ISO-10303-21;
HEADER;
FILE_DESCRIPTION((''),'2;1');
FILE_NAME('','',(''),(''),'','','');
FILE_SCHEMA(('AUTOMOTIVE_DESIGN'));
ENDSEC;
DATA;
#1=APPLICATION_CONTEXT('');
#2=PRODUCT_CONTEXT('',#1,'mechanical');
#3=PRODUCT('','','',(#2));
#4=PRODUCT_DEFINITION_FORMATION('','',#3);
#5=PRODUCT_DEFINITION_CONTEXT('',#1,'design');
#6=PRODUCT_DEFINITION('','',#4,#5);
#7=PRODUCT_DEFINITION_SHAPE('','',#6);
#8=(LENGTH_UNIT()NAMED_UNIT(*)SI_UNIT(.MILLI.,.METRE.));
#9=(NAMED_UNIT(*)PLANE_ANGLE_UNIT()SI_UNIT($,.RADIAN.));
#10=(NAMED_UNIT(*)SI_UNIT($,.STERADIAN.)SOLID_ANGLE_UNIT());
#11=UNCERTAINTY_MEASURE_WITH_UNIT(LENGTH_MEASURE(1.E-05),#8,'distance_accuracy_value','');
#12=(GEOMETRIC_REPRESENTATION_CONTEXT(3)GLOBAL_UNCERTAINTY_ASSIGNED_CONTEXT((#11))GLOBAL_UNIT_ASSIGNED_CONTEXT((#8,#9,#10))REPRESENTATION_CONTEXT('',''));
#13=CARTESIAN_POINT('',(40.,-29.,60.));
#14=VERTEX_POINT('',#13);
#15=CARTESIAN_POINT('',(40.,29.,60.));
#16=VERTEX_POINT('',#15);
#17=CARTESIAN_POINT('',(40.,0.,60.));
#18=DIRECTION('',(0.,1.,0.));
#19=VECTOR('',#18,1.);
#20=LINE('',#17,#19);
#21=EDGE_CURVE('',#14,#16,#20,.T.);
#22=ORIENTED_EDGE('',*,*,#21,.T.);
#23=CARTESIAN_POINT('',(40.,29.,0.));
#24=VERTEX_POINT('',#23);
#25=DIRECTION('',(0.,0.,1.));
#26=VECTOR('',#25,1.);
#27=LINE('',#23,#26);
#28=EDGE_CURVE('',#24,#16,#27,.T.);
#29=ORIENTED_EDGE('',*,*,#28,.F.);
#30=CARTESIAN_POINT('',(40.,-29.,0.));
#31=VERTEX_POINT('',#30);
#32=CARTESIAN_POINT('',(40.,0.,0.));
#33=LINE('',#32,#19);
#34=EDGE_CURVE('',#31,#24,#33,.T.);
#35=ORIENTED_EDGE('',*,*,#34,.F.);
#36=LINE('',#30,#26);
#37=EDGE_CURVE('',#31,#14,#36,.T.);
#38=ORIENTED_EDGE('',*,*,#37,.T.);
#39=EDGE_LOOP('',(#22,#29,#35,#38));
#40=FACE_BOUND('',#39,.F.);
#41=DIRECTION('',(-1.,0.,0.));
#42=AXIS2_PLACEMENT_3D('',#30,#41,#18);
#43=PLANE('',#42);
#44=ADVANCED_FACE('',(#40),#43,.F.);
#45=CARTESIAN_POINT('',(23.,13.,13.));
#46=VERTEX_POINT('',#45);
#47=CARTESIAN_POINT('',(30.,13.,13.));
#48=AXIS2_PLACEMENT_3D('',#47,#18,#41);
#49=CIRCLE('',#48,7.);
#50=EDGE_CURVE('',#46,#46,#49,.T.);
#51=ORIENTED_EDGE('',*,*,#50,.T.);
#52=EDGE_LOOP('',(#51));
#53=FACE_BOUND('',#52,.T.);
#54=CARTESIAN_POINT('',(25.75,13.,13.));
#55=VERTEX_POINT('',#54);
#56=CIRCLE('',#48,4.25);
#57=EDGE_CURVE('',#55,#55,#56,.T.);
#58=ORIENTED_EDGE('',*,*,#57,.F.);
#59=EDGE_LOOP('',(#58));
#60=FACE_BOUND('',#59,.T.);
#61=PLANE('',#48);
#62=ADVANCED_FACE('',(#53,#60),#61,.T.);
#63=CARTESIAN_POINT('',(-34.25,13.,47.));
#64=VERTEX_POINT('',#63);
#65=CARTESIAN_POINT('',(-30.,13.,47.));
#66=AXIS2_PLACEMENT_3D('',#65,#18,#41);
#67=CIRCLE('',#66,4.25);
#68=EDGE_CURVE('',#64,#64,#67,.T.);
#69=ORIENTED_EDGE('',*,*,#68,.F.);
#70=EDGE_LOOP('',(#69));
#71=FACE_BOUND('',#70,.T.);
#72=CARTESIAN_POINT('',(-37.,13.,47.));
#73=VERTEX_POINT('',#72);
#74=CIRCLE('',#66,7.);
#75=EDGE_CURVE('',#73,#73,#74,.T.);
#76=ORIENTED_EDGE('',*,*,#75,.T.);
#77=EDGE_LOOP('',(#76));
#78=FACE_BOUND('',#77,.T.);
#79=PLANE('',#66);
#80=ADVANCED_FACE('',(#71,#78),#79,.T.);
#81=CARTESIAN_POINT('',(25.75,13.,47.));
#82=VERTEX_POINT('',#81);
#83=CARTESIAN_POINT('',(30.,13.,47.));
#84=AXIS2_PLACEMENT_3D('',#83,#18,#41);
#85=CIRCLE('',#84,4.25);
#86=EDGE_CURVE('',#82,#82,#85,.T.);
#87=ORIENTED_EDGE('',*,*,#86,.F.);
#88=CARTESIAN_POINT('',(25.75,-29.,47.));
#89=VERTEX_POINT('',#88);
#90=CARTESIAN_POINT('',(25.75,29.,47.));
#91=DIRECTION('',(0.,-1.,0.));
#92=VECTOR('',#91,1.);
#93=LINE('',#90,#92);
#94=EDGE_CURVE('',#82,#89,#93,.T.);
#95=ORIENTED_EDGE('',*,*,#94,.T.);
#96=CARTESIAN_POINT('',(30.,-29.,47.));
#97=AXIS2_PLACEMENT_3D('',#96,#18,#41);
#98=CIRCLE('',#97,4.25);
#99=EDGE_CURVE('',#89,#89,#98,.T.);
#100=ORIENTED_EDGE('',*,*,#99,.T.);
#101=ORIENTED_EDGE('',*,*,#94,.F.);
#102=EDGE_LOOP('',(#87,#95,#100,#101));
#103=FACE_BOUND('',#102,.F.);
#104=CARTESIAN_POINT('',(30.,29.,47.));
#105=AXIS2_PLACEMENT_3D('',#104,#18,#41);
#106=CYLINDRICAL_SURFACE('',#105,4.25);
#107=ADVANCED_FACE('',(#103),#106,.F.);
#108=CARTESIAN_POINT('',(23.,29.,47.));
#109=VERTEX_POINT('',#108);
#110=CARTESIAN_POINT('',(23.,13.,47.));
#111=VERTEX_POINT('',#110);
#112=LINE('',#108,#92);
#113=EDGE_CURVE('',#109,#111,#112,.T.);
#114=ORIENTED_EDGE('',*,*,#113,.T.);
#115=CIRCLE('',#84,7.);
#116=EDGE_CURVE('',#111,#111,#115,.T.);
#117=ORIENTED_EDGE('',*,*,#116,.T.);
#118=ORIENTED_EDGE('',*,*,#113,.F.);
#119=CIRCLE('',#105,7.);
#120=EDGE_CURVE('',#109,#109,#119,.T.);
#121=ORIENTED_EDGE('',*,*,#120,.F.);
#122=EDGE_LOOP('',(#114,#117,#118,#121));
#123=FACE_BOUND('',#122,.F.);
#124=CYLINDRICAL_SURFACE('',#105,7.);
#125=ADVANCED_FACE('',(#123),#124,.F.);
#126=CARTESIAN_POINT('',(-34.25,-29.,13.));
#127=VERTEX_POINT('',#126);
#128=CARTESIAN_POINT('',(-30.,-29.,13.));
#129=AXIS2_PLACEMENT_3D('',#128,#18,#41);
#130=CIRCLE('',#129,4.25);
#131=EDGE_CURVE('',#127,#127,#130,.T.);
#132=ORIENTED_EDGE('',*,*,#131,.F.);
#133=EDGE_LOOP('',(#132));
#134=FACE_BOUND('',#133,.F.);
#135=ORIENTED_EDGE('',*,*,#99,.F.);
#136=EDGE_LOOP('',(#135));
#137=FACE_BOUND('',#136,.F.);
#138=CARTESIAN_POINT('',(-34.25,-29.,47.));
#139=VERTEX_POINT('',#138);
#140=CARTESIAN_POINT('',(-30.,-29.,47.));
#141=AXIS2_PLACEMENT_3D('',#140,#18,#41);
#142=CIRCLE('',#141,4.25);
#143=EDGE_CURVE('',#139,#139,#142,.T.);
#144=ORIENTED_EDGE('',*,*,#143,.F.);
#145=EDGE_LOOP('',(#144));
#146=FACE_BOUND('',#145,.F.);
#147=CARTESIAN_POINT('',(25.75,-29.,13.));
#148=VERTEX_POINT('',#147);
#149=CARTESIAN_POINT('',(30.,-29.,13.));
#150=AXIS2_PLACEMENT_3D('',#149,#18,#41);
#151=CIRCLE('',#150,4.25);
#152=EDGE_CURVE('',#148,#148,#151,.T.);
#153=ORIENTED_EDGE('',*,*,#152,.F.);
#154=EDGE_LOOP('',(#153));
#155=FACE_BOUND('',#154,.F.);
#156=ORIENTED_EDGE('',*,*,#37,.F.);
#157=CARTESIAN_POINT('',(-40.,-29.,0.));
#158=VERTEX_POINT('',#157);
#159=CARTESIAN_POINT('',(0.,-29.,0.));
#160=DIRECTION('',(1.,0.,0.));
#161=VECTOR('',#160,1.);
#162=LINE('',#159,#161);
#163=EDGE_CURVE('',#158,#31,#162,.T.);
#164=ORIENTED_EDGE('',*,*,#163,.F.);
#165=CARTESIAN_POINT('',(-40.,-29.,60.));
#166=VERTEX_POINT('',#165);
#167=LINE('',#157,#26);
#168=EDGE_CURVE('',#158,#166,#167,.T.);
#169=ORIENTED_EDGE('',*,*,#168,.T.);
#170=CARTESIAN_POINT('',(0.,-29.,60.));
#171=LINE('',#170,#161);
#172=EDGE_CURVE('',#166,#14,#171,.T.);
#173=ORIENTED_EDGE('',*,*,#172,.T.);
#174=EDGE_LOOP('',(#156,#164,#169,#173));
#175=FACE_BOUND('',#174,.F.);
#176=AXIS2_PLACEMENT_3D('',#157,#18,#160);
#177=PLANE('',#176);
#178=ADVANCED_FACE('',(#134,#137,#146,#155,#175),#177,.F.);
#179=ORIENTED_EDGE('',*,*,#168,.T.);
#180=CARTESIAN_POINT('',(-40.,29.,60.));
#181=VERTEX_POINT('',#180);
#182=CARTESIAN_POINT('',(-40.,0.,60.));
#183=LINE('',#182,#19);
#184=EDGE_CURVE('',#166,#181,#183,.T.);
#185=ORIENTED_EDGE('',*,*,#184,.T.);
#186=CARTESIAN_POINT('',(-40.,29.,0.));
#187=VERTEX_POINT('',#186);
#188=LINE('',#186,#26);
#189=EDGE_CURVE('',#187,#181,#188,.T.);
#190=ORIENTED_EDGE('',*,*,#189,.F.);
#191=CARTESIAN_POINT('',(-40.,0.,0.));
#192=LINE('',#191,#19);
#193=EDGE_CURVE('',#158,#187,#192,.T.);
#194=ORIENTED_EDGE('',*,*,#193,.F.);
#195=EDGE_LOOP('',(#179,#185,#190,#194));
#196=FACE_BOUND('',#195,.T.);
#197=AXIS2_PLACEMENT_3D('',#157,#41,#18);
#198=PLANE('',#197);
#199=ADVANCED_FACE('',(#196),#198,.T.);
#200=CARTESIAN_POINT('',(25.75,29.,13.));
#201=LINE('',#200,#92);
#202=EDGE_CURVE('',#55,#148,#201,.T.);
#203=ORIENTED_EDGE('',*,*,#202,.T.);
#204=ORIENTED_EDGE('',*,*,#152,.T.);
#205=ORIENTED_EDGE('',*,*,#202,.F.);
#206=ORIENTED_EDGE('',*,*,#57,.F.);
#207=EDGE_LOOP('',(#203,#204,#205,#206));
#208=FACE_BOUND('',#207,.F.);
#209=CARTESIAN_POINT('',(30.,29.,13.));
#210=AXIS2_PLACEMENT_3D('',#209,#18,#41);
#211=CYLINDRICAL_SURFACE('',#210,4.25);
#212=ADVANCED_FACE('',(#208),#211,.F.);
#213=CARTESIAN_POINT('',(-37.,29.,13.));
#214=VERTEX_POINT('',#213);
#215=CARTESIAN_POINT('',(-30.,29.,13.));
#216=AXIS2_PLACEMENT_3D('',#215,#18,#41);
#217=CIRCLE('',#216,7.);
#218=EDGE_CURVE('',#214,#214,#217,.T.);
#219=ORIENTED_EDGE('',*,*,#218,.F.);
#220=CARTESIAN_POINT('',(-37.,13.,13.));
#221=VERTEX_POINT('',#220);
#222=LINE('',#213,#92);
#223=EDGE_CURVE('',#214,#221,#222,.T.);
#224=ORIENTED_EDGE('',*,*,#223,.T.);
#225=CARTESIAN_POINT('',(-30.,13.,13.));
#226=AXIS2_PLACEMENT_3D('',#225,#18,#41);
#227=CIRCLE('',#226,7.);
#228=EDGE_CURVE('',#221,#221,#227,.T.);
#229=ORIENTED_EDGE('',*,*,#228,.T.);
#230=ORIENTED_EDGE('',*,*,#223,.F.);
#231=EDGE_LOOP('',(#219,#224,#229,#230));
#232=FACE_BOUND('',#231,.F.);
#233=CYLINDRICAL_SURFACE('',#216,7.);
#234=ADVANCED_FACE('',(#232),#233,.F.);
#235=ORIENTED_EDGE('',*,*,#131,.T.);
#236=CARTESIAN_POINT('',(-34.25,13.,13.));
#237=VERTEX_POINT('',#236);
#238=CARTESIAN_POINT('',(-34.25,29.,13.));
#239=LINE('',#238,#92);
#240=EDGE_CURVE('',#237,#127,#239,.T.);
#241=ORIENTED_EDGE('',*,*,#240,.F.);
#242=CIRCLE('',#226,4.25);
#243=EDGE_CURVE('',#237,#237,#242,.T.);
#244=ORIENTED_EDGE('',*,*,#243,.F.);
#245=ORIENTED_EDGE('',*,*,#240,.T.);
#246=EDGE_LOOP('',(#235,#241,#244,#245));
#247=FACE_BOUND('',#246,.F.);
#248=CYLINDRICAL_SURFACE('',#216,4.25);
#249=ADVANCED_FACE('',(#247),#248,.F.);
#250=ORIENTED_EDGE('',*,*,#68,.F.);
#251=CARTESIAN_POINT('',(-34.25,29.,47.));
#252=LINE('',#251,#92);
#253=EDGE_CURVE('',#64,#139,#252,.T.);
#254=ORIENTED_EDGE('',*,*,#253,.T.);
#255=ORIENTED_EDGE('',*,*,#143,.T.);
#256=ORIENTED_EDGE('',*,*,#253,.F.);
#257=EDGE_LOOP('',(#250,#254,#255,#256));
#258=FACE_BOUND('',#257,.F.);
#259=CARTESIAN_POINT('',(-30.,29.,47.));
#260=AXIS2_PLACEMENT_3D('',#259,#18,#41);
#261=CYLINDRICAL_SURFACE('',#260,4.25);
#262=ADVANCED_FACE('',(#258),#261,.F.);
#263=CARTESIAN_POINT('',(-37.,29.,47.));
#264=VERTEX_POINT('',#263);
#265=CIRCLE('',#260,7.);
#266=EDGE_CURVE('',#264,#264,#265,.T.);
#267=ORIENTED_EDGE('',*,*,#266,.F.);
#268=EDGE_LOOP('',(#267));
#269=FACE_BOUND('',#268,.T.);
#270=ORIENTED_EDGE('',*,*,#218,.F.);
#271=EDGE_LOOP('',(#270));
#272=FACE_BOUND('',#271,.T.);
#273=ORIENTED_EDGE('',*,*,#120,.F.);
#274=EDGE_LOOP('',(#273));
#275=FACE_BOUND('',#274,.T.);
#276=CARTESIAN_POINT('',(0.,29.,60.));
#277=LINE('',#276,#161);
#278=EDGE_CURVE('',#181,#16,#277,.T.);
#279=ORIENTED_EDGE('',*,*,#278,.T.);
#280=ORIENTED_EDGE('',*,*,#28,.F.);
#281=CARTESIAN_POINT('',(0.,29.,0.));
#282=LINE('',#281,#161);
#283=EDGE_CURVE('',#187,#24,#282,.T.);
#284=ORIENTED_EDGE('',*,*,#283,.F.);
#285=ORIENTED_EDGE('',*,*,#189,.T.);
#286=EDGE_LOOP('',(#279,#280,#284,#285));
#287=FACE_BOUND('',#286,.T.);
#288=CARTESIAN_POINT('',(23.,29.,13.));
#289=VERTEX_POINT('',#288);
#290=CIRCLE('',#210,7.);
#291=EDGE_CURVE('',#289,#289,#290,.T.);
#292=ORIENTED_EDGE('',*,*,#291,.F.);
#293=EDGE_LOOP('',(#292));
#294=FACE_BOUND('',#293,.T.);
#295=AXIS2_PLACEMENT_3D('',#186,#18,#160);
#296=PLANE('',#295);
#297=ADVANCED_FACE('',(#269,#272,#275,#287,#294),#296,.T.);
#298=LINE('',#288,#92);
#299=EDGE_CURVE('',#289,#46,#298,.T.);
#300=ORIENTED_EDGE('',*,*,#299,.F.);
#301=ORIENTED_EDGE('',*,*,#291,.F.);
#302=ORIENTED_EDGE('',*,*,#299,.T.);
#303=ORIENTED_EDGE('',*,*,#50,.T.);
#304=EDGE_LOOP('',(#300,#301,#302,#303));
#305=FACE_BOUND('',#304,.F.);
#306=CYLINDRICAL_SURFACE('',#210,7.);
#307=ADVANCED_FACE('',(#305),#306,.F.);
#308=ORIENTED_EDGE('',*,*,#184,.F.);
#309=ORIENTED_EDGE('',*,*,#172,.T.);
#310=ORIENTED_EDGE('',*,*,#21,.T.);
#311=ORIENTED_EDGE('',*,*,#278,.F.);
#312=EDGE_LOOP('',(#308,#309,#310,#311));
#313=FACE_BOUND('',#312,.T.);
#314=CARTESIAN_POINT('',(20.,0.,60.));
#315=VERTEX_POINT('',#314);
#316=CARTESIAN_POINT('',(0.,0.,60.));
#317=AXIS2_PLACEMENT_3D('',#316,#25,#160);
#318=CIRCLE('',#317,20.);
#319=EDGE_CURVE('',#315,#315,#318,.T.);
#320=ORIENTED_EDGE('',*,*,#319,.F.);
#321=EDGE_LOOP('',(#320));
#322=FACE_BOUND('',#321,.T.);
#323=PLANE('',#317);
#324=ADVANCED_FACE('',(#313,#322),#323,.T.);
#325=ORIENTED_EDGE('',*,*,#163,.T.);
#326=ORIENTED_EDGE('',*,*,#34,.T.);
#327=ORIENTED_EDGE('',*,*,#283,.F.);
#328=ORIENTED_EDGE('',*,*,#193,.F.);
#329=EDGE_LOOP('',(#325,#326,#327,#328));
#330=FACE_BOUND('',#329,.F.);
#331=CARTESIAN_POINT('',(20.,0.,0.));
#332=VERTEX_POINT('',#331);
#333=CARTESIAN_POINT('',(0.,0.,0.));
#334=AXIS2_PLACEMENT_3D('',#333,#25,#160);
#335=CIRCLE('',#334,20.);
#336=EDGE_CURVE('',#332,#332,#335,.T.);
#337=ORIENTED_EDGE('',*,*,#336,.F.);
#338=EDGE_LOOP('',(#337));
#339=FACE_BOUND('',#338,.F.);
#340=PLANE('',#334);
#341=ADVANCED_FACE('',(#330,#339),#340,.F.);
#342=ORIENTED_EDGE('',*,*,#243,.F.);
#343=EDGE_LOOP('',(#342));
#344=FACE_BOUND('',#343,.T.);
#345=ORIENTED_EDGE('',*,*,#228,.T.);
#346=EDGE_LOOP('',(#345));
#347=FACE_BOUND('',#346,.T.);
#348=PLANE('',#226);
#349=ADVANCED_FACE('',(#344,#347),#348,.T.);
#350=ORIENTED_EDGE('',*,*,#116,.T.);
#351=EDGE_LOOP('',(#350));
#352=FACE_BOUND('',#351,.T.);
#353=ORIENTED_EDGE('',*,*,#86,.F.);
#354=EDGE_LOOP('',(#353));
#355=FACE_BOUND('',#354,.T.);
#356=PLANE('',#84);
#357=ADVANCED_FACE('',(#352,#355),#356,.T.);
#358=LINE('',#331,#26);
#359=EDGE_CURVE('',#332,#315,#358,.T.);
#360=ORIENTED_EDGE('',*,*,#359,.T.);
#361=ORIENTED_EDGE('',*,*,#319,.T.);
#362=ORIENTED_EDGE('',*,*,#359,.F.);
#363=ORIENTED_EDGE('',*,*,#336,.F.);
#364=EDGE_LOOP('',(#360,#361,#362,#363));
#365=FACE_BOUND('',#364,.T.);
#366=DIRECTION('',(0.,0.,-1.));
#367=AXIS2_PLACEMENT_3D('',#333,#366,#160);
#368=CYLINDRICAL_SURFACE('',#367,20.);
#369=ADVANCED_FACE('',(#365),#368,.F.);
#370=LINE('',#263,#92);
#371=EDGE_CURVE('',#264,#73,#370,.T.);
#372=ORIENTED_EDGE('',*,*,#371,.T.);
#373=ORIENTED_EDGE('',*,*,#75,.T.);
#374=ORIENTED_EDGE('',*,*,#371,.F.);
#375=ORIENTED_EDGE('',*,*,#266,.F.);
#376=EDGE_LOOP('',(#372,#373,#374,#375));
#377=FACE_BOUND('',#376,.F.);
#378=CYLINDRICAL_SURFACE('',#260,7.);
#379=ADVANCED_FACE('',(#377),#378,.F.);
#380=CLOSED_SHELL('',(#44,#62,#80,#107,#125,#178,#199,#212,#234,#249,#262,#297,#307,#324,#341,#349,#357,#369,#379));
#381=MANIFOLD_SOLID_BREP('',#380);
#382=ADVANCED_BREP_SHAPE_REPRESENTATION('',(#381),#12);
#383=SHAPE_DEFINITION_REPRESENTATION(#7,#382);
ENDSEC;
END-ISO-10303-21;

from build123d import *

# Parameters (mm, degrees)
F0_W     = 80
F0_H     = 58
F0_R     = 20
F1_DEPTH = 60
F2_R     = 4.25
F3_DEPTH = 58.001
F2_R_2   = 7
F4_DEPTH = 16


with BuildPart() as f1:
    # F0 (on Top) → F1 (new body)
    with BuildSketch(Plane.XY):
        Rectangle(F0_W, F0_H)
        Circle(F0_R, mode=Mode.SUBTRACT)
    extrude(amount=F1_DEPTH)

    # F2 (on face) → F3 (cut, through all)
    with BuildSketch(Plane(origin=(0, 29, 0), x_dir=(-1, 0, 0), z_dir=(0, 1, 0))):
        with Locations((30, 13)):
            Circle(F2_R)
        with Locations((-30, 13)):
            Circle(F2_R)
        with Locations((-30, 47)):
            Circle(F2_R)
        with Locations((30, 47)):
            Circle(F2_R)
    extrude(amount=-F3_DEPTH, mode=Mode.SUBTRACT)

    # F2 (on face) → F4 (cut)
    with BuildSketch(Plane(origin=(0, 29, 0), x_dir=(-1, 0, 0), z_dir=(0, 1, 0))):
        with Locations((30, 13)):
            Circle(F2_R_2)
        with Locations((30, 13)):
            Circle(F2_R, mode=Mode.SUBTRACT)
        with Locations((-30, 13)):
            Circle(F2_R_2)
        with Locations((-30, 13)):
            Circle(F2_R, mode=Mode.SUBTRACT)
        with Locations((-30, 47)):
            Circle(F2_R_2)
        with Locations((-30, 47)):
            Circle(F2_R, mode=Mode.SUBTRACT)
        with Locations((30, 47)):
            Circle(F2_R_2)
        with Locations((30, 47)):
            Circle(F2_R, mode=Mode.SUBTRACT)
    extrude(amount=-F4_DEPTH, mode=Mode.SUBTRACT)


solid = f1.part
